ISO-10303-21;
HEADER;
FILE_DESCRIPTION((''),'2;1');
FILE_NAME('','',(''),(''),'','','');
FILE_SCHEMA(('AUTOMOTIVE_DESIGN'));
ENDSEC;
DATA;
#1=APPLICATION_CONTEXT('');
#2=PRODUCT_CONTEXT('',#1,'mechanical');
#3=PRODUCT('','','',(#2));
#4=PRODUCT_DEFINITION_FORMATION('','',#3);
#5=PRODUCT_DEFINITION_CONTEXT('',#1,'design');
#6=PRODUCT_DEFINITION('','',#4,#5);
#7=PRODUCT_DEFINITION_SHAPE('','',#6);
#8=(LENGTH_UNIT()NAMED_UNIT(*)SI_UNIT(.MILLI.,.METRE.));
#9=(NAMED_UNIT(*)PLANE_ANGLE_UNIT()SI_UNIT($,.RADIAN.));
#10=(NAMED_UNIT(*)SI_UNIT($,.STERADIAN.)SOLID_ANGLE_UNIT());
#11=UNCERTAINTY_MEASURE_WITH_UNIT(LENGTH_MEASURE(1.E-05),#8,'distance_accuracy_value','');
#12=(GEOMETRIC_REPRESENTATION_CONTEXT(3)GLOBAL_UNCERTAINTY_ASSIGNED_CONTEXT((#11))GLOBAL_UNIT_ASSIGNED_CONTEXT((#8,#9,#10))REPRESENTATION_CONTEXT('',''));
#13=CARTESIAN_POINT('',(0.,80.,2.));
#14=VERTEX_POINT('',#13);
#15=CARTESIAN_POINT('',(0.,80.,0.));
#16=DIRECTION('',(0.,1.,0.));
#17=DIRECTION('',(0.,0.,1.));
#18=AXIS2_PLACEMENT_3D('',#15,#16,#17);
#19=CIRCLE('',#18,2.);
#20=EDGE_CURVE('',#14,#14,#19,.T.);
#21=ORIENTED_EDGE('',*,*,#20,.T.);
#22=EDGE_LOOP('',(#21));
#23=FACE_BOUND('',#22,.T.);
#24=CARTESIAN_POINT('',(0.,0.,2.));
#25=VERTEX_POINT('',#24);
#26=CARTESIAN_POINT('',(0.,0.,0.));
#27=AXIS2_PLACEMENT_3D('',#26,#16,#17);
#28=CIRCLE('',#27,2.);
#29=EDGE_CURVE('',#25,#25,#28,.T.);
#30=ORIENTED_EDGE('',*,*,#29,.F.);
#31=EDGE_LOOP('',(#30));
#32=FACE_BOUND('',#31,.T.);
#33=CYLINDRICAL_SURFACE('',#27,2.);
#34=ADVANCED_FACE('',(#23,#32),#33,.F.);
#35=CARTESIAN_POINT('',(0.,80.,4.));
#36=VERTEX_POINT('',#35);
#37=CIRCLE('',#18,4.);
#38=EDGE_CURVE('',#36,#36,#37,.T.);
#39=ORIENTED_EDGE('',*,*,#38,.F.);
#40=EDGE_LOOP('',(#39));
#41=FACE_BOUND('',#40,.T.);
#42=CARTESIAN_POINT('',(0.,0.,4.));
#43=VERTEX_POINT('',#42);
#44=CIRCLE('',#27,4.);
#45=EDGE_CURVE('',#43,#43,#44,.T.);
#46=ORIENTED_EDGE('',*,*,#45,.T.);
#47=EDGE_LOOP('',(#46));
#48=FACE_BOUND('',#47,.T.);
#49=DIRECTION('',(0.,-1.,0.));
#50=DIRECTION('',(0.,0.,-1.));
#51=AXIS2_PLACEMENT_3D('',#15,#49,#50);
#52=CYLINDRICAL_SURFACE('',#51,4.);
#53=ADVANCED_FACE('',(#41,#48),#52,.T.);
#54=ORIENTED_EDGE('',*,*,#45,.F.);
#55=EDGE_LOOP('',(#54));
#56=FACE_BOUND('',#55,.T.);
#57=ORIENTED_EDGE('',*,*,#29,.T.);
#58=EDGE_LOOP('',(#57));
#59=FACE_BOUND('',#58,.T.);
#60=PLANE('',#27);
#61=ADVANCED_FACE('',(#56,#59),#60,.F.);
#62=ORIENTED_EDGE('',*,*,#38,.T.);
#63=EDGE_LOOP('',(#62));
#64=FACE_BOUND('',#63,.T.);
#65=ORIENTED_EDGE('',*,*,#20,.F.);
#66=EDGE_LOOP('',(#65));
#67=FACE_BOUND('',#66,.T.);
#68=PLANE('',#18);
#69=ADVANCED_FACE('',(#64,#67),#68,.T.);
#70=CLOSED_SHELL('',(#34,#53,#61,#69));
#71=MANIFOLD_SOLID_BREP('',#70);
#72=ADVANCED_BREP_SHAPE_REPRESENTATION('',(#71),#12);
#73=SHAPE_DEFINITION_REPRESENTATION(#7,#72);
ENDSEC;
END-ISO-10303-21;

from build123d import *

# Parameters (mm, degrees)
SKETCH_2_R          = 4
EXTRUDE_1_DEPTH     = 80
SKETCH_3_R          = 2
CUT_EXTRUDE_1_DEPTH = 81.199750623


with BuildPart() as part:
    # 草图2 → 凸台-拉伸1 (new body)
    with BuildSketch(Plane(origin=(0, 0, 0), x_dir=(1, 0, 0), z_dir=(0, 1, 0))):
        with Locations(Location((0, 0, 0), (0, 0, 270))):
            Circle(SKETCH_2_R)
    extrude(amount=EXTRUDE_1_DEPTH)

    # 草图3 → 切除-拉伸1 (cut, through all)
    with BuildSketch(Plane(origin=(0, 80, 0), x_dir=(1, 0, 0), z_dir=(0, 1, 0))):
        with Locations(Location((0, 0, 0), (0, 0, 270))):
            Circle(SKETCH_3_R)
    extrude(amount=-CUT_EXTRUDE_1_DEPTH, mode=Mode.SUBTRACT)


solid = part.part
